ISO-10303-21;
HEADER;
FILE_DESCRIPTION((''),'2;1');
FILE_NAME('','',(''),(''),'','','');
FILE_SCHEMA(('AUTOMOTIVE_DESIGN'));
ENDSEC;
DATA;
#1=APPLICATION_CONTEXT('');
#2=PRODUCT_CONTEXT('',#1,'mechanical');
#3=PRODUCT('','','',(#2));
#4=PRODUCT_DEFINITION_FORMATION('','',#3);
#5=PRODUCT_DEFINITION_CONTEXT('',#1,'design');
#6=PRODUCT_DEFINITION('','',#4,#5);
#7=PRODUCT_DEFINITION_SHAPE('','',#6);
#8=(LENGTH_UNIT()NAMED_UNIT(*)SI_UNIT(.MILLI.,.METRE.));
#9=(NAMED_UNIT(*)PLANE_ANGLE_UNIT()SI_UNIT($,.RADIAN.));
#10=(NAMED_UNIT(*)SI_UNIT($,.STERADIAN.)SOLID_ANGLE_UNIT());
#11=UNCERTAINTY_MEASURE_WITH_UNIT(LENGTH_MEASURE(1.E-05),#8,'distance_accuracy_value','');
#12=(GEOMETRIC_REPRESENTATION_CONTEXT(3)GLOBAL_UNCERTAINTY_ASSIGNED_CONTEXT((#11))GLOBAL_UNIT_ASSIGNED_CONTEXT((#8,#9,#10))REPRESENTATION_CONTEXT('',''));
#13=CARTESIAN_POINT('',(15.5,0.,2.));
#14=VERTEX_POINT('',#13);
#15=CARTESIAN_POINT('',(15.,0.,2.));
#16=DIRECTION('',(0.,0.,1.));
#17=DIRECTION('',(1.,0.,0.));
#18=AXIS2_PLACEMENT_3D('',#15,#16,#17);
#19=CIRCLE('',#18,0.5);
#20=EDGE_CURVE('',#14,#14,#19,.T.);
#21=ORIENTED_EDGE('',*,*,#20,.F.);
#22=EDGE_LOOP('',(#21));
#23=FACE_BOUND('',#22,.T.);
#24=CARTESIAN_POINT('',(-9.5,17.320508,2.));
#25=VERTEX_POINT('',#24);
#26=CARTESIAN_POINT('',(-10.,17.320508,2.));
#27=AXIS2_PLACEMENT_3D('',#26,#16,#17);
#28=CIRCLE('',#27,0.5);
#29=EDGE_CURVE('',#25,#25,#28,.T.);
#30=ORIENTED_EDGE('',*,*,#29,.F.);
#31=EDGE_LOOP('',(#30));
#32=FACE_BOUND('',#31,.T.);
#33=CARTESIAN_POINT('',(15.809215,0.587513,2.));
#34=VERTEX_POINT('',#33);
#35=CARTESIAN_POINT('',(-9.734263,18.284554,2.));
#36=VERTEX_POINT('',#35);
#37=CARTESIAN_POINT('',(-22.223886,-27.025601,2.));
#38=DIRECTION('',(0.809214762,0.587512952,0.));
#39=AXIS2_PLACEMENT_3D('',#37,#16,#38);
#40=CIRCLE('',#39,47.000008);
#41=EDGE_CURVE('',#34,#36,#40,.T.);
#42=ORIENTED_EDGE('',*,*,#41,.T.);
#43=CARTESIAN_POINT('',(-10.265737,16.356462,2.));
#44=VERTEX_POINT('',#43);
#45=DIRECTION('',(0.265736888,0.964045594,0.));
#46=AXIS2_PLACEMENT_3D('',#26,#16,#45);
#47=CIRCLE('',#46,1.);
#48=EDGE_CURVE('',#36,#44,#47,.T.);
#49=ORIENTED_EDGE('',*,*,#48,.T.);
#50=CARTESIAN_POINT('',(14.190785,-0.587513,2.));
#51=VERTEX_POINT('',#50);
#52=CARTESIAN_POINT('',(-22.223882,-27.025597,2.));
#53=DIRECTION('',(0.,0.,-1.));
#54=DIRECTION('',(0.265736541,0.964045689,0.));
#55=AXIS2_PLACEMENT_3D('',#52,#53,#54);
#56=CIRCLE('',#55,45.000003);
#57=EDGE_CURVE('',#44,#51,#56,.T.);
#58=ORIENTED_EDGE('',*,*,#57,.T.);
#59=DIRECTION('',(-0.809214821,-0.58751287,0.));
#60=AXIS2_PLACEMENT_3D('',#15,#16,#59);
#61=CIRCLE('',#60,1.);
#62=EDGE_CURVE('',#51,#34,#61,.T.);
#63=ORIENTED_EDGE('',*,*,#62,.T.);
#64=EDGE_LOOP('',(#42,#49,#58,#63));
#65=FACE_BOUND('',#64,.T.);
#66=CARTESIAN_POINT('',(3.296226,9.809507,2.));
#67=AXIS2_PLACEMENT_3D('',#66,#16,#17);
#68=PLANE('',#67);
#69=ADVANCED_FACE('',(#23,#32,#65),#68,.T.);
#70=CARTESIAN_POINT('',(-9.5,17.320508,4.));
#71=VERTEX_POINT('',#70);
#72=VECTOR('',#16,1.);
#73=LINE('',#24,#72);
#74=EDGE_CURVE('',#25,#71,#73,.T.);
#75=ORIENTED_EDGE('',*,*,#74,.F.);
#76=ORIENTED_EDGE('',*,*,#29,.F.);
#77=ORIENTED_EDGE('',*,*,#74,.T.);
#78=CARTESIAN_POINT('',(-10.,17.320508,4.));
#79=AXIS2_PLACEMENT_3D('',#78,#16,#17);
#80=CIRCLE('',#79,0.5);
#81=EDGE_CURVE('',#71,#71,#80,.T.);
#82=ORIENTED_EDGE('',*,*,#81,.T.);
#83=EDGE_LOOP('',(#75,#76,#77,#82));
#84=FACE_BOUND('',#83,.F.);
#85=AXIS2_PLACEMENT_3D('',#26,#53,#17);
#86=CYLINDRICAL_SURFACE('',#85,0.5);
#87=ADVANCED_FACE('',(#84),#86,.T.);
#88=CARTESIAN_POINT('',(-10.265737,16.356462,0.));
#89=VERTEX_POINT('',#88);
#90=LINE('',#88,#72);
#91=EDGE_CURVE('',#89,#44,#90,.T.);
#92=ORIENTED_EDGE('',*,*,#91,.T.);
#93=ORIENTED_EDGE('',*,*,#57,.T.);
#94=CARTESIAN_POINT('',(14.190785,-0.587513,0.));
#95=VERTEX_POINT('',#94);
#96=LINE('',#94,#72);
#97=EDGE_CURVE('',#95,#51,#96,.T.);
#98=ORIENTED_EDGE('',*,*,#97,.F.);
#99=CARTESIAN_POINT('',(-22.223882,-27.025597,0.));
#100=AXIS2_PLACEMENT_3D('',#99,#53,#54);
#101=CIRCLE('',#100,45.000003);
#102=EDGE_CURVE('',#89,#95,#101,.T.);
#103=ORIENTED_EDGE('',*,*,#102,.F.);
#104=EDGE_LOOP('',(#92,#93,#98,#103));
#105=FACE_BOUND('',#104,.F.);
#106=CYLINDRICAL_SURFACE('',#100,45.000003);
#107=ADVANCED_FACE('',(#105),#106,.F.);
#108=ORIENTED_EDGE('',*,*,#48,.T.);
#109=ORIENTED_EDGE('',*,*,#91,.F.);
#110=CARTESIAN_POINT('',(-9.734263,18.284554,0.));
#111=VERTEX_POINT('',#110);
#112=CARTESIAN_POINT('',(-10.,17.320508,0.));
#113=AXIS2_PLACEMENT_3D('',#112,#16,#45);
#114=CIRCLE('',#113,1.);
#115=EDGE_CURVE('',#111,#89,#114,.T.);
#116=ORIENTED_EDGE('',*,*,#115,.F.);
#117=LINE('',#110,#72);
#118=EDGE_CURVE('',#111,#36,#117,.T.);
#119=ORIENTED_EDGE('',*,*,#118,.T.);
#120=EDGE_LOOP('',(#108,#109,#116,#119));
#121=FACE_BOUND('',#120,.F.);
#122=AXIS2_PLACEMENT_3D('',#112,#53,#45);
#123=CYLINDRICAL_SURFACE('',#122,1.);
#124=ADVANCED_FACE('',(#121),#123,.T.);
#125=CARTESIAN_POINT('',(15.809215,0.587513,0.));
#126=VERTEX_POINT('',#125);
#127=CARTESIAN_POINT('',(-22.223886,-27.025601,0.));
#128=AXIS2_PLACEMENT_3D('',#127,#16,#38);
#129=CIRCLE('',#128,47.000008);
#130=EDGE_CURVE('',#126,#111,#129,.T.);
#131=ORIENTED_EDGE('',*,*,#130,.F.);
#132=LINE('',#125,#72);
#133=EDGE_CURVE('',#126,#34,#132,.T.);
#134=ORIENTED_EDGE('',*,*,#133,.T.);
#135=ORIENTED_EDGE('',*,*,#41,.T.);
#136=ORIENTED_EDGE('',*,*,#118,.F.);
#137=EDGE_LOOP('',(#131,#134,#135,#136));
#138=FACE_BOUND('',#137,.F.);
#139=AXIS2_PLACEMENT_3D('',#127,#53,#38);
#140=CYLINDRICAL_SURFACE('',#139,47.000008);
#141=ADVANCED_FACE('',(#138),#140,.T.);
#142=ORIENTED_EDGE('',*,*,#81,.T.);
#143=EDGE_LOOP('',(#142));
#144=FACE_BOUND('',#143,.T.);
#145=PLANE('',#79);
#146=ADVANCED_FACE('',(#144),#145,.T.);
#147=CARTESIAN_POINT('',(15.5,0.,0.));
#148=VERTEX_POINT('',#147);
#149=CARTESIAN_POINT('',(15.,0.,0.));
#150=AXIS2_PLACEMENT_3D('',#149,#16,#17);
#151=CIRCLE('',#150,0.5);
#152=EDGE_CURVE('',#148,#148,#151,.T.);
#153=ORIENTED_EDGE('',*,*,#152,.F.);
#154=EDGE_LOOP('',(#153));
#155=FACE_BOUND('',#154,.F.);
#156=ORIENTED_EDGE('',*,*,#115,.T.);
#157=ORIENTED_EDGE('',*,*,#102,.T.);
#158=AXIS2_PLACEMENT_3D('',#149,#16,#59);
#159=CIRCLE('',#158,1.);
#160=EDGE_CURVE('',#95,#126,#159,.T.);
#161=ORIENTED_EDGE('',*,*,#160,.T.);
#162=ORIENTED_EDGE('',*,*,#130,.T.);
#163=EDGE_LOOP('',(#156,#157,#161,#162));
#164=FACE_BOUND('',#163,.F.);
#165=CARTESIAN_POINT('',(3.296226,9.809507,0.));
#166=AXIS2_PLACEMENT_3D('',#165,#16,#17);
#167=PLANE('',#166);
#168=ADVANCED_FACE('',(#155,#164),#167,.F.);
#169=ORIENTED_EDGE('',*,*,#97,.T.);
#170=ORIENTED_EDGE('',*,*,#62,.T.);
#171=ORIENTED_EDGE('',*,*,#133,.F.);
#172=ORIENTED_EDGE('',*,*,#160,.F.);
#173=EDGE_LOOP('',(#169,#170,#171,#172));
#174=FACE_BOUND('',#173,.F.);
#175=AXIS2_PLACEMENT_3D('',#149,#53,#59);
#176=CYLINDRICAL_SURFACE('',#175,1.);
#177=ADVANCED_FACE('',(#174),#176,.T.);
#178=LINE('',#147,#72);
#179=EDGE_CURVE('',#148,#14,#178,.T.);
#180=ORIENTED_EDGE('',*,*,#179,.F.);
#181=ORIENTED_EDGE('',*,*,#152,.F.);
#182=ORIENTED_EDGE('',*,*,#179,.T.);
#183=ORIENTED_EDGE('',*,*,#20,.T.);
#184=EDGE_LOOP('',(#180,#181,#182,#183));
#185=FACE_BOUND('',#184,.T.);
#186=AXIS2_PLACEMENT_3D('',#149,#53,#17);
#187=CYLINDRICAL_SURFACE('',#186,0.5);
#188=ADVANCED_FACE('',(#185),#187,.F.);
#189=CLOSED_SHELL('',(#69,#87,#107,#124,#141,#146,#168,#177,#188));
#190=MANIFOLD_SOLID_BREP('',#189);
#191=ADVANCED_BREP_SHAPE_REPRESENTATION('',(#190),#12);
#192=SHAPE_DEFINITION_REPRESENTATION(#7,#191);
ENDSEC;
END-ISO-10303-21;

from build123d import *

# Parameters (mm, degrees)
F0_R     = 0.5
F1_DEPTH = 2
F2_R     = 0.5
F3_DEPTH = 2


with BuildPart() as f1:
    # F0 (on Top) → F1 (new body)
    with BuildSketch(Plane.XY):
        with BuildLine():
            ThreePointArc((-10.265737, 16.356462), (3.403385, 9.964178), (14.190785, -0.587513))
            ThreePointArc((14.190785, -0.587513), (15.587513, -0.809215), (15.809215, 0.587513))
            ThreePointArc((15.809215, 0.587513), (4.542375, 11.608168), (-9.734263, 18.284554))
            ThreePointArc((-9.734263, 18.284554), (-10.964046, 17.586245), (-10.265737, 16.356462))
        make_face()
        with Locations((15, 0)):
            Circle(F0_R, mode=Mode.SUBTRACT)
    extrude(amount=F1_DEPTH)

    # F2 (on face) → F3 (join)
    with BuildSketch(Plane.XY.offset(2)):
        with Locations((-10, 17.320508)):
            Circle(F2_R)
    extrude(amount=F3_DEPTH)


solid = f1.part
